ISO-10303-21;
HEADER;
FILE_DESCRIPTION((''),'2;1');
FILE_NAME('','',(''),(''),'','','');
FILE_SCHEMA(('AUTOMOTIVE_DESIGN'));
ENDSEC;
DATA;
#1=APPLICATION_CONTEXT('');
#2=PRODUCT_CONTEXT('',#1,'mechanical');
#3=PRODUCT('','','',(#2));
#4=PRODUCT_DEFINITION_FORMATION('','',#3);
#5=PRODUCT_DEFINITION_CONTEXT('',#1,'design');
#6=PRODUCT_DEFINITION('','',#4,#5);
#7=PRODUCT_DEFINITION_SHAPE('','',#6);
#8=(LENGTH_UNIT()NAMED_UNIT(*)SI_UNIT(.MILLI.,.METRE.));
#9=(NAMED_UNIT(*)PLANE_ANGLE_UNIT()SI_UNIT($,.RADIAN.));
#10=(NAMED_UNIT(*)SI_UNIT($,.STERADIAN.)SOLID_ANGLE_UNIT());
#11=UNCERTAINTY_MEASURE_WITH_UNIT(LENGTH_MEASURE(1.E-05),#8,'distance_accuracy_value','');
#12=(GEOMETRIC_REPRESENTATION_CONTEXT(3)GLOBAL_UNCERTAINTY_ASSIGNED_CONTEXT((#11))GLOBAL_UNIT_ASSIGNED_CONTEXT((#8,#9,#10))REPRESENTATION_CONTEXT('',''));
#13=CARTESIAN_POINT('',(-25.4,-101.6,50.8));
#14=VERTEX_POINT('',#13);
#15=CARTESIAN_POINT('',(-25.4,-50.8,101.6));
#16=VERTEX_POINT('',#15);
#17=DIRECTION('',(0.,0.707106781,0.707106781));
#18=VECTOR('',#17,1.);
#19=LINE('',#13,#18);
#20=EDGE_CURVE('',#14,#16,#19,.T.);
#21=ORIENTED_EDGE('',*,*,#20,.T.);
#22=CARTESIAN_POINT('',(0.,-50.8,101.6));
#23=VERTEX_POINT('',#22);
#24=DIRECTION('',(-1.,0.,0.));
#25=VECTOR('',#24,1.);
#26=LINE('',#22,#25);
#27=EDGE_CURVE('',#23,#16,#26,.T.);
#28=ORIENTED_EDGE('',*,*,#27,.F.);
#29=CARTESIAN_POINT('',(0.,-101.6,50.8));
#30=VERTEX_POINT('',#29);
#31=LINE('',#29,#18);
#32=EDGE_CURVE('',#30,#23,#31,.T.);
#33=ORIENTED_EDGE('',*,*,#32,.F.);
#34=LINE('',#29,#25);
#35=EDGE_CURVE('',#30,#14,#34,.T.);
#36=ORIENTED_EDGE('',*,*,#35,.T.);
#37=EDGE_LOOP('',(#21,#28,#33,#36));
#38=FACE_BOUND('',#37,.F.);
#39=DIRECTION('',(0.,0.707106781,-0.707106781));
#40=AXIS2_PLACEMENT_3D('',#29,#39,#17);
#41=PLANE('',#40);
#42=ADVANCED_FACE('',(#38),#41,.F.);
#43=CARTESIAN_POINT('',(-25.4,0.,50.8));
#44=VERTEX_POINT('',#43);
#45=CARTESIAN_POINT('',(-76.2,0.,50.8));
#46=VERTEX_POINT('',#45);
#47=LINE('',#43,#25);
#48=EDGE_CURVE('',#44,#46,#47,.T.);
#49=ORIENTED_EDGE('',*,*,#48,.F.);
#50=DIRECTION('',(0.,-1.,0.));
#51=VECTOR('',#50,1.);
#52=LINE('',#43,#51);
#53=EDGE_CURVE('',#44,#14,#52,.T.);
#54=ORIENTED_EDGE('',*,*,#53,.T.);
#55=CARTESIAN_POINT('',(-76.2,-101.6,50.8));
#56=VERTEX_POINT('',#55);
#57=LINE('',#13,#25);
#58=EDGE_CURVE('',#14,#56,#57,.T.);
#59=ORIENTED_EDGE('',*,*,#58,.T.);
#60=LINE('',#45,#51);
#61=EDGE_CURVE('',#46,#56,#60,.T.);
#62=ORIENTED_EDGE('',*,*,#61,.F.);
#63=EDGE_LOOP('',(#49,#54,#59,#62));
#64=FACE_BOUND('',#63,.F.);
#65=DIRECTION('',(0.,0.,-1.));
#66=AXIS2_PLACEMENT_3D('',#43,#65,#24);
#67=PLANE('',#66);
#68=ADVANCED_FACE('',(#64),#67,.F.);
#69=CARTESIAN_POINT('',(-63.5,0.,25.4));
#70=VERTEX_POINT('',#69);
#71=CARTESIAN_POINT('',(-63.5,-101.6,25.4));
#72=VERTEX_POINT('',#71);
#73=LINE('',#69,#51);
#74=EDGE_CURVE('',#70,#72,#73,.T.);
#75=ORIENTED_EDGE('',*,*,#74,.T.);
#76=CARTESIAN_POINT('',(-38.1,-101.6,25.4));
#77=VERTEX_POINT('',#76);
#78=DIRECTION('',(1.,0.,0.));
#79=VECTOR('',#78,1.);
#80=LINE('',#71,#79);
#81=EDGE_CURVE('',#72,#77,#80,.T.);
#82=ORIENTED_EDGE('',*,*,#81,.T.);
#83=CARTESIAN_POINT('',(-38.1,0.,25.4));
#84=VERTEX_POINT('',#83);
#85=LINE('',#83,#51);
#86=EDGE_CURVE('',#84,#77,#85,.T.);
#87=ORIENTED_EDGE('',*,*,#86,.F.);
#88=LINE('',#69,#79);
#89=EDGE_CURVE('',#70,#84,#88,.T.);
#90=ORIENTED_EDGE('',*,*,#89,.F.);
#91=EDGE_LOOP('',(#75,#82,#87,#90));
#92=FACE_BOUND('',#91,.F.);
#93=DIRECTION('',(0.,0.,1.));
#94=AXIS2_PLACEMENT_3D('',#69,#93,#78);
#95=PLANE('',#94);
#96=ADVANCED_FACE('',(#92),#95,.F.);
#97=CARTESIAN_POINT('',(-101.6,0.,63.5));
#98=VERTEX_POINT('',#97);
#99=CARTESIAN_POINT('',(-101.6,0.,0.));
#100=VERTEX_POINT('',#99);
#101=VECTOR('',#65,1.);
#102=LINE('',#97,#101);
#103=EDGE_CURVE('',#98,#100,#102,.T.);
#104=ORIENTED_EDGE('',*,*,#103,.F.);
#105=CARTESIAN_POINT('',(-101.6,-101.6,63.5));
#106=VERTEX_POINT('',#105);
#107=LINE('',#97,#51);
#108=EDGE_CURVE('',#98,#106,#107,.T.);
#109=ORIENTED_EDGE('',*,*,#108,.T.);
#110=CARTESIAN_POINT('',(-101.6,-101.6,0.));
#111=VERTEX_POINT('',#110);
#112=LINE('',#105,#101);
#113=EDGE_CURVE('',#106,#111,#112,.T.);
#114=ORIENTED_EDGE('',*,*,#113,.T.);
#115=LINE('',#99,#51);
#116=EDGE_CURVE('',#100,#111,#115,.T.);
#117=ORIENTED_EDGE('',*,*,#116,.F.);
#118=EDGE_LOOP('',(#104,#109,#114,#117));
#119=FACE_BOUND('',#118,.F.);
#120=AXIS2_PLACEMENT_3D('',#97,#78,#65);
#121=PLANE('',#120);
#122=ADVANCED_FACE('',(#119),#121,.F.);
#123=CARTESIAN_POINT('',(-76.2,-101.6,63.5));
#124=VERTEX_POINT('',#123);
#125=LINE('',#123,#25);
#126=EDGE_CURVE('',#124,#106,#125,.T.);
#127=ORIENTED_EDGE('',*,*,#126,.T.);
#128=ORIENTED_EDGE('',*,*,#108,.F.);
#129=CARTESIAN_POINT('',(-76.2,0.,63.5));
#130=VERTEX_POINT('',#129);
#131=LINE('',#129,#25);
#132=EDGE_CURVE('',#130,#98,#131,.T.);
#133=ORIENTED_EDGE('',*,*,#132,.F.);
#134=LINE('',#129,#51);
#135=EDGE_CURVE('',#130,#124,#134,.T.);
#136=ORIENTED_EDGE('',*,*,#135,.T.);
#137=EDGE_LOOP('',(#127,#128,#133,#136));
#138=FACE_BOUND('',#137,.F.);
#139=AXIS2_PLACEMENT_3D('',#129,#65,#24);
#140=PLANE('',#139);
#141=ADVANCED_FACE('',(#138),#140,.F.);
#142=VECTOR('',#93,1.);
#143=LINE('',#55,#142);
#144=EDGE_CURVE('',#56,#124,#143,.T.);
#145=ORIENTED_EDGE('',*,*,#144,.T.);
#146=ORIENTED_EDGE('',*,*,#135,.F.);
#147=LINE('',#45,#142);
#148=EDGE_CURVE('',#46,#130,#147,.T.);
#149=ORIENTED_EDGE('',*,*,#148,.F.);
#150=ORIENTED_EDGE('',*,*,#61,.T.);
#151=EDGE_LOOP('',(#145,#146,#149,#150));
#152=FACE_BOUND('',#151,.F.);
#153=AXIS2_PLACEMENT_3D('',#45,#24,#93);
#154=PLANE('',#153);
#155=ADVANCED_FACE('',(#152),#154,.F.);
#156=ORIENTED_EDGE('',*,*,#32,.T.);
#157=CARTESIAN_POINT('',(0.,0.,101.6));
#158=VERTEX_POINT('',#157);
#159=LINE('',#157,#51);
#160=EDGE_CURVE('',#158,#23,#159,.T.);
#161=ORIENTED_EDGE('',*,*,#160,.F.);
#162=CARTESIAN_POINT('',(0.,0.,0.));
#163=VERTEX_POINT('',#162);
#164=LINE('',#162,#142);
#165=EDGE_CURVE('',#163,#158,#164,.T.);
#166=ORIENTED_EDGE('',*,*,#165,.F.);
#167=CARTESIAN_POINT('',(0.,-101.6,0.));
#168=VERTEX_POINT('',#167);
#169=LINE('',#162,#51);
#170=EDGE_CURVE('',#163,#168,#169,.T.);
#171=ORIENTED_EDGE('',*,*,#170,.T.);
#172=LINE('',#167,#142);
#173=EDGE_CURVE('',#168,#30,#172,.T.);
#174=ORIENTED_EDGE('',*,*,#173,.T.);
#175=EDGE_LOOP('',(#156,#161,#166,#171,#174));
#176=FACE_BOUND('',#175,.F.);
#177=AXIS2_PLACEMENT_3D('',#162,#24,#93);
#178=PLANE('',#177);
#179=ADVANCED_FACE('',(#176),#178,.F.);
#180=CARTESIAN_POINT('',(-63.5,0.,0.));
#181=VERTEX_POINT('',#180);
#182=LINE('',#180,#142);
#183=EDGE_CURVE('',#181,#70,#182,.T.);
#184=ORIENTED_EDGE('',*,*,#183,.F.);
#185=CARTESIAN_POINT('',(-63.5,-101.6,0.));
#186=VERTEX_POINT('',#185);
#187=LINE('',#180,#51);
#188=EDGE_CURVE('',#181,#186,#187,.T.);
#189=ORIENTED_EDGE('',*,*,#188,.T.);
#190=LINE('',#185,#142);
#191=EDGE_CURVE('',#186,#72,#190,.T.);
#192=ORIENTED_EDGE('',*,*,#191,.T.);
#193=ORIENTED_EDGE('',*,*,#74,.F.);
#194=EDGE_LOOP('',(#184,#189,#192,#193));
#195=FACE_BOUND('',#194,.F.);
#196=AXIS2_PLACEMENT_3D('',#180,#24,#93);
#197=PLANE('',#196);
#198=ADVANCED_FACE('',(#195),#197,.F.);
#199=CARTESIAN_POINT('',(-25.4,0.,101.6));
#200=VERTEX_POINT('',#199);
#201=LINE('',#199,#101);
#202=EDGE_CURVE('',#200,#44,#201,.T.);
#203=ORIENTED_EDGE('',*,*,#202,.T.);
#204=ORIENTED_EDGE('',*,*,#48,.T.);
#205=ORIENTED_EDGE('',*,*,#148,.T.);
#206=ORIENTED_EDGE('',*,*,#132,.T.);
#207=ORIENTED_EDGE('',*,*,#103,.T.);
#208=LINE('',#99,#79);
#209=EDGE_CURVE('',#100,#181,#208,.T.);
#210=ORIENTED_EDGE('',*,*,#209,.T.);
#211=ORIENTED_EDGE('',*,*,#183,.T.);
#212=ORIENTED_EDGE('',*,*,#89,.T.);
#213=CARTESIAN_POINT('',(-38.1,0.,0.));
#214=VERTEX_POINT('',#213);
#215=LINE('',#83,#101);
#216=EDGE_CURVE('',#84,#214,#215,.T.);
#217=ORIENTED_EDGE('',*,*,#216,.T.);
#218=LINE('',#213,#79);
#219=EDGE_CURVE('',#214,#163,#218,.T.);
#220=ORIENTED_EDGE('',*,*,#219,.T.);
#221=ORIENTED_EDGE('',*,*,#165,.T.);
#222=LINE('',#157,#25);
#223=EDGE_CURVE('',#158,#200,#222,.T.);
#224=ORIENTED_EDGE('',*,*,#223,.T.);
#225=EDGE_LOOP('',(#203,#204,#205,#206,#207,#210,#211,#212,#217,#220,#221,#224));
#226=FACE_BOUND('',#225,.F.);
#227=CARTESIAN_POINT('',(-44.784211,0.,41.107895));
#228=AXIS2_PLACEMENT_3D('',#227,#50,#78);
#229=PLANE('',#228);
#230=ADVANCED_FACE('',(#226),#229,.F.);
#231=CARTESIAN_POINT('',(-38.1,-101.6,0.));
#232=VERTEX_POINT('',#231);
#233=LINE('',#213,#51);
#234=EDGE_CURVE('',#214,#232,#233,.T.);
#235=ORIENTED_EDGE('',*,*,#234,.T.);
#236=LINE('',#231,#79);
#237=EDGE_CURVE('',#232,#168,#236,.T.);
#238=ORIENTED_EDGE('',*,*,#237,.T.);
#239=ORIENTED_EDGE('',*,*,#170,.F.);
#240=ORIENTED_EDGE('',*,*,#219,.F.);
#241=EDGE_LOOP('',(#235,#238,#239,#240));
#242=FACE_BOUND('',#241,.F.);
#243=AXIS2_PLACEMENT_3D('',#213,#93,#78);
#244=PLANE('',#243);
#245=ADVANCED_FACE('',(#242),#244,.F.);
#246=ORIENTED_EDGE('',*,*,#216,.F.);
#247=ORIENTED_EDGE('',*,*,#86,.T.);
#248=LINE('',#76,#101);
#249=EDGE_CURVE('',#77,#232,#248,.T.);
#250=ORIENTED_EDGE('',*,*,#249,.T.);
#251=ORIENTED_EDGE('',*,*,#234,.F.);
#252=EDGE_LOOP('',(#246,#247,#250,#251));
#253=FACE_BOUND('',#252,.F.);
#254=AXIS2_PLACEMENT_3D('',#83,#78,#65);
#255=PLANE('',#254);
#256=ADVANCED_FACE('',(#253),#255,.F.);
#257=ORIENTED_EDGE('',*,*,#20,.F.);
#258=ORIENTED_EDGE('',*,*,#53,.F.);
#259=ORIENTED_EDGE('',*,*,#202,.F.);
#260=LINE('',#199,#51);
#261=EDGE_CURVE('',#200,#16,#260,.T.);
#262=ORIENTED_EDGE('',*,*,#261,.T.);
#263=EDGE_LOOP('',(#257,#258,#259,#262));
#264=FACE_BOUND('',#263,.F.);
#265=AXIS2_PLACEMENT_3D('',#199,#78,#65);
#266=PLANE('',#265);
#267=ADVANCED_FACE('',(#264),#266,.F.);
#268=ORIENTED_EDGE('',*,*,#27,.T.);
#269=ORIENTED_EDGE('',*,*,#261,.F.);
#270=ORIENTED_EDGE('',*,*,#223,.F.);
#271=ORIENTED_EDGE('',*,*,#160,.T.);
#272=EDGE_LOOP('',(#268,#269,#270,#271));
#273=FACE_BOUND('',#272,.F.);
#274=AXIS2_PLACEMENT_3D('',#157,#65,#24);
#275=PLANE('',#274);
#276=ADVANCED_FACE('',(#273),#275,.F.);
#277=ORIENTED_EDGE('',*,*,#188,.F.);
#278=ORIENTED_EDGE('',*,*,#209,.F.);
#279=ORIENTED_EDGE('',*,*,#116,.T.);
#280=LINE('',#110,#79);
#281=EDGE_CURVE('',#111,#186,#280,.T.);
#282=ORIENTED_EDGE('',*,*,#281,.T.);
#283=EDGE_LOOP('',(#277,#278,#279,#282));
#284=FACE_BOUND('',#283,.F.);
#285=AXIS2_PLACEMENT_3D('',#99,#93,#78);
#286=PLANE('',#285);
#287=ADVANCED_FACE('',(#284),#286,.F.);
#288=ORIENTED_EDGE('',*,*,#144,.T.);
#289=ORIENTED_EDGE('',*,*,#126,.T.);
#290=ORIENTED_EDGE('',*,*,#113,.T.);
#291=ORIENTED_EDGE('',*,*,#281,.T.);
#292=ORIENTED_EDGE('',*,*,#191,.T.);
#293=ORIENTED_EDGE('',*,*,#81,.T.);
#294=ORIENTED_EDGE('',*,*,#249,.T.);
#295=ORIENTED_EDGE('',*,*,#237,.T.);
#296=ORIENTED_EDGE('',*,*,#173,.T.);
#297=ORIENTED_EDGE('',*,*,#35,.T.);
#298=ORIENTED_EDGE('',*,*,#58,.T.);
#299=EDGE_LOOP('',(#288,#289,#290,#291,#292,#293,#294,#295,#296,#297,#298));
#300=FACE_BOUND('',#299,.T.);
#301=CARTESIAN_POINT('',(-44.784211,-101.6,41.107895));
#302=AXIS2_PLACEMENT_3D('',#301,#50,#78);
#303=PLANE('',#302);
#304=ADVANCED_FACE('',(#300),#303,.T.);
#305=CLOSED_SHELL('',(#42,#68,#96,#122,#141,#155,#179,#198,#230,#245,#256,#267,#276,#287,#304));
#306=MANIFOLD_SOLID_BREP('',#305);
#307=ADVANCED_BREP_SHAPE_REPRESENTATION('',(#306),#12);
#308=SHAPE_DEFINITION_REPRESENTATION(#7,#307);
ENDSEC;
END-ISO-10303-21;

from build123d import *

# Parameters (mm, degrees)
F1_DEPTH = 101.6
F3_DEPTH = 25.4


with BuildPart() as f1:
    # F0 (on Front) → F1 (new body)
    with BuildSketch(Plane.XZ):
        Polygon((-38.1, 0), (0, 0), (0, 101.6), (-25.4, 101.6), (-25.4, 50.8), (-76.2, 50.8), (-76.2, 63.5), (-101.6, 63.5), (-101.6, 0), (-63.5, 0), (-63.5, 25.4), (-38.1, 25.4), align=None)
    extrude(amount=F1_DEPTH)

    # F2 (on face) → F3 (cut)
    with BuildSketch(Plane.YZ):
        Polygon((-101.6, 101.6), (-101.6, 50.8), (-50.8, 101.6), align=None)
    extrude(amount=-F3_DEPTH, mode=Mode.SUBTRACT)


solid = f1.part
